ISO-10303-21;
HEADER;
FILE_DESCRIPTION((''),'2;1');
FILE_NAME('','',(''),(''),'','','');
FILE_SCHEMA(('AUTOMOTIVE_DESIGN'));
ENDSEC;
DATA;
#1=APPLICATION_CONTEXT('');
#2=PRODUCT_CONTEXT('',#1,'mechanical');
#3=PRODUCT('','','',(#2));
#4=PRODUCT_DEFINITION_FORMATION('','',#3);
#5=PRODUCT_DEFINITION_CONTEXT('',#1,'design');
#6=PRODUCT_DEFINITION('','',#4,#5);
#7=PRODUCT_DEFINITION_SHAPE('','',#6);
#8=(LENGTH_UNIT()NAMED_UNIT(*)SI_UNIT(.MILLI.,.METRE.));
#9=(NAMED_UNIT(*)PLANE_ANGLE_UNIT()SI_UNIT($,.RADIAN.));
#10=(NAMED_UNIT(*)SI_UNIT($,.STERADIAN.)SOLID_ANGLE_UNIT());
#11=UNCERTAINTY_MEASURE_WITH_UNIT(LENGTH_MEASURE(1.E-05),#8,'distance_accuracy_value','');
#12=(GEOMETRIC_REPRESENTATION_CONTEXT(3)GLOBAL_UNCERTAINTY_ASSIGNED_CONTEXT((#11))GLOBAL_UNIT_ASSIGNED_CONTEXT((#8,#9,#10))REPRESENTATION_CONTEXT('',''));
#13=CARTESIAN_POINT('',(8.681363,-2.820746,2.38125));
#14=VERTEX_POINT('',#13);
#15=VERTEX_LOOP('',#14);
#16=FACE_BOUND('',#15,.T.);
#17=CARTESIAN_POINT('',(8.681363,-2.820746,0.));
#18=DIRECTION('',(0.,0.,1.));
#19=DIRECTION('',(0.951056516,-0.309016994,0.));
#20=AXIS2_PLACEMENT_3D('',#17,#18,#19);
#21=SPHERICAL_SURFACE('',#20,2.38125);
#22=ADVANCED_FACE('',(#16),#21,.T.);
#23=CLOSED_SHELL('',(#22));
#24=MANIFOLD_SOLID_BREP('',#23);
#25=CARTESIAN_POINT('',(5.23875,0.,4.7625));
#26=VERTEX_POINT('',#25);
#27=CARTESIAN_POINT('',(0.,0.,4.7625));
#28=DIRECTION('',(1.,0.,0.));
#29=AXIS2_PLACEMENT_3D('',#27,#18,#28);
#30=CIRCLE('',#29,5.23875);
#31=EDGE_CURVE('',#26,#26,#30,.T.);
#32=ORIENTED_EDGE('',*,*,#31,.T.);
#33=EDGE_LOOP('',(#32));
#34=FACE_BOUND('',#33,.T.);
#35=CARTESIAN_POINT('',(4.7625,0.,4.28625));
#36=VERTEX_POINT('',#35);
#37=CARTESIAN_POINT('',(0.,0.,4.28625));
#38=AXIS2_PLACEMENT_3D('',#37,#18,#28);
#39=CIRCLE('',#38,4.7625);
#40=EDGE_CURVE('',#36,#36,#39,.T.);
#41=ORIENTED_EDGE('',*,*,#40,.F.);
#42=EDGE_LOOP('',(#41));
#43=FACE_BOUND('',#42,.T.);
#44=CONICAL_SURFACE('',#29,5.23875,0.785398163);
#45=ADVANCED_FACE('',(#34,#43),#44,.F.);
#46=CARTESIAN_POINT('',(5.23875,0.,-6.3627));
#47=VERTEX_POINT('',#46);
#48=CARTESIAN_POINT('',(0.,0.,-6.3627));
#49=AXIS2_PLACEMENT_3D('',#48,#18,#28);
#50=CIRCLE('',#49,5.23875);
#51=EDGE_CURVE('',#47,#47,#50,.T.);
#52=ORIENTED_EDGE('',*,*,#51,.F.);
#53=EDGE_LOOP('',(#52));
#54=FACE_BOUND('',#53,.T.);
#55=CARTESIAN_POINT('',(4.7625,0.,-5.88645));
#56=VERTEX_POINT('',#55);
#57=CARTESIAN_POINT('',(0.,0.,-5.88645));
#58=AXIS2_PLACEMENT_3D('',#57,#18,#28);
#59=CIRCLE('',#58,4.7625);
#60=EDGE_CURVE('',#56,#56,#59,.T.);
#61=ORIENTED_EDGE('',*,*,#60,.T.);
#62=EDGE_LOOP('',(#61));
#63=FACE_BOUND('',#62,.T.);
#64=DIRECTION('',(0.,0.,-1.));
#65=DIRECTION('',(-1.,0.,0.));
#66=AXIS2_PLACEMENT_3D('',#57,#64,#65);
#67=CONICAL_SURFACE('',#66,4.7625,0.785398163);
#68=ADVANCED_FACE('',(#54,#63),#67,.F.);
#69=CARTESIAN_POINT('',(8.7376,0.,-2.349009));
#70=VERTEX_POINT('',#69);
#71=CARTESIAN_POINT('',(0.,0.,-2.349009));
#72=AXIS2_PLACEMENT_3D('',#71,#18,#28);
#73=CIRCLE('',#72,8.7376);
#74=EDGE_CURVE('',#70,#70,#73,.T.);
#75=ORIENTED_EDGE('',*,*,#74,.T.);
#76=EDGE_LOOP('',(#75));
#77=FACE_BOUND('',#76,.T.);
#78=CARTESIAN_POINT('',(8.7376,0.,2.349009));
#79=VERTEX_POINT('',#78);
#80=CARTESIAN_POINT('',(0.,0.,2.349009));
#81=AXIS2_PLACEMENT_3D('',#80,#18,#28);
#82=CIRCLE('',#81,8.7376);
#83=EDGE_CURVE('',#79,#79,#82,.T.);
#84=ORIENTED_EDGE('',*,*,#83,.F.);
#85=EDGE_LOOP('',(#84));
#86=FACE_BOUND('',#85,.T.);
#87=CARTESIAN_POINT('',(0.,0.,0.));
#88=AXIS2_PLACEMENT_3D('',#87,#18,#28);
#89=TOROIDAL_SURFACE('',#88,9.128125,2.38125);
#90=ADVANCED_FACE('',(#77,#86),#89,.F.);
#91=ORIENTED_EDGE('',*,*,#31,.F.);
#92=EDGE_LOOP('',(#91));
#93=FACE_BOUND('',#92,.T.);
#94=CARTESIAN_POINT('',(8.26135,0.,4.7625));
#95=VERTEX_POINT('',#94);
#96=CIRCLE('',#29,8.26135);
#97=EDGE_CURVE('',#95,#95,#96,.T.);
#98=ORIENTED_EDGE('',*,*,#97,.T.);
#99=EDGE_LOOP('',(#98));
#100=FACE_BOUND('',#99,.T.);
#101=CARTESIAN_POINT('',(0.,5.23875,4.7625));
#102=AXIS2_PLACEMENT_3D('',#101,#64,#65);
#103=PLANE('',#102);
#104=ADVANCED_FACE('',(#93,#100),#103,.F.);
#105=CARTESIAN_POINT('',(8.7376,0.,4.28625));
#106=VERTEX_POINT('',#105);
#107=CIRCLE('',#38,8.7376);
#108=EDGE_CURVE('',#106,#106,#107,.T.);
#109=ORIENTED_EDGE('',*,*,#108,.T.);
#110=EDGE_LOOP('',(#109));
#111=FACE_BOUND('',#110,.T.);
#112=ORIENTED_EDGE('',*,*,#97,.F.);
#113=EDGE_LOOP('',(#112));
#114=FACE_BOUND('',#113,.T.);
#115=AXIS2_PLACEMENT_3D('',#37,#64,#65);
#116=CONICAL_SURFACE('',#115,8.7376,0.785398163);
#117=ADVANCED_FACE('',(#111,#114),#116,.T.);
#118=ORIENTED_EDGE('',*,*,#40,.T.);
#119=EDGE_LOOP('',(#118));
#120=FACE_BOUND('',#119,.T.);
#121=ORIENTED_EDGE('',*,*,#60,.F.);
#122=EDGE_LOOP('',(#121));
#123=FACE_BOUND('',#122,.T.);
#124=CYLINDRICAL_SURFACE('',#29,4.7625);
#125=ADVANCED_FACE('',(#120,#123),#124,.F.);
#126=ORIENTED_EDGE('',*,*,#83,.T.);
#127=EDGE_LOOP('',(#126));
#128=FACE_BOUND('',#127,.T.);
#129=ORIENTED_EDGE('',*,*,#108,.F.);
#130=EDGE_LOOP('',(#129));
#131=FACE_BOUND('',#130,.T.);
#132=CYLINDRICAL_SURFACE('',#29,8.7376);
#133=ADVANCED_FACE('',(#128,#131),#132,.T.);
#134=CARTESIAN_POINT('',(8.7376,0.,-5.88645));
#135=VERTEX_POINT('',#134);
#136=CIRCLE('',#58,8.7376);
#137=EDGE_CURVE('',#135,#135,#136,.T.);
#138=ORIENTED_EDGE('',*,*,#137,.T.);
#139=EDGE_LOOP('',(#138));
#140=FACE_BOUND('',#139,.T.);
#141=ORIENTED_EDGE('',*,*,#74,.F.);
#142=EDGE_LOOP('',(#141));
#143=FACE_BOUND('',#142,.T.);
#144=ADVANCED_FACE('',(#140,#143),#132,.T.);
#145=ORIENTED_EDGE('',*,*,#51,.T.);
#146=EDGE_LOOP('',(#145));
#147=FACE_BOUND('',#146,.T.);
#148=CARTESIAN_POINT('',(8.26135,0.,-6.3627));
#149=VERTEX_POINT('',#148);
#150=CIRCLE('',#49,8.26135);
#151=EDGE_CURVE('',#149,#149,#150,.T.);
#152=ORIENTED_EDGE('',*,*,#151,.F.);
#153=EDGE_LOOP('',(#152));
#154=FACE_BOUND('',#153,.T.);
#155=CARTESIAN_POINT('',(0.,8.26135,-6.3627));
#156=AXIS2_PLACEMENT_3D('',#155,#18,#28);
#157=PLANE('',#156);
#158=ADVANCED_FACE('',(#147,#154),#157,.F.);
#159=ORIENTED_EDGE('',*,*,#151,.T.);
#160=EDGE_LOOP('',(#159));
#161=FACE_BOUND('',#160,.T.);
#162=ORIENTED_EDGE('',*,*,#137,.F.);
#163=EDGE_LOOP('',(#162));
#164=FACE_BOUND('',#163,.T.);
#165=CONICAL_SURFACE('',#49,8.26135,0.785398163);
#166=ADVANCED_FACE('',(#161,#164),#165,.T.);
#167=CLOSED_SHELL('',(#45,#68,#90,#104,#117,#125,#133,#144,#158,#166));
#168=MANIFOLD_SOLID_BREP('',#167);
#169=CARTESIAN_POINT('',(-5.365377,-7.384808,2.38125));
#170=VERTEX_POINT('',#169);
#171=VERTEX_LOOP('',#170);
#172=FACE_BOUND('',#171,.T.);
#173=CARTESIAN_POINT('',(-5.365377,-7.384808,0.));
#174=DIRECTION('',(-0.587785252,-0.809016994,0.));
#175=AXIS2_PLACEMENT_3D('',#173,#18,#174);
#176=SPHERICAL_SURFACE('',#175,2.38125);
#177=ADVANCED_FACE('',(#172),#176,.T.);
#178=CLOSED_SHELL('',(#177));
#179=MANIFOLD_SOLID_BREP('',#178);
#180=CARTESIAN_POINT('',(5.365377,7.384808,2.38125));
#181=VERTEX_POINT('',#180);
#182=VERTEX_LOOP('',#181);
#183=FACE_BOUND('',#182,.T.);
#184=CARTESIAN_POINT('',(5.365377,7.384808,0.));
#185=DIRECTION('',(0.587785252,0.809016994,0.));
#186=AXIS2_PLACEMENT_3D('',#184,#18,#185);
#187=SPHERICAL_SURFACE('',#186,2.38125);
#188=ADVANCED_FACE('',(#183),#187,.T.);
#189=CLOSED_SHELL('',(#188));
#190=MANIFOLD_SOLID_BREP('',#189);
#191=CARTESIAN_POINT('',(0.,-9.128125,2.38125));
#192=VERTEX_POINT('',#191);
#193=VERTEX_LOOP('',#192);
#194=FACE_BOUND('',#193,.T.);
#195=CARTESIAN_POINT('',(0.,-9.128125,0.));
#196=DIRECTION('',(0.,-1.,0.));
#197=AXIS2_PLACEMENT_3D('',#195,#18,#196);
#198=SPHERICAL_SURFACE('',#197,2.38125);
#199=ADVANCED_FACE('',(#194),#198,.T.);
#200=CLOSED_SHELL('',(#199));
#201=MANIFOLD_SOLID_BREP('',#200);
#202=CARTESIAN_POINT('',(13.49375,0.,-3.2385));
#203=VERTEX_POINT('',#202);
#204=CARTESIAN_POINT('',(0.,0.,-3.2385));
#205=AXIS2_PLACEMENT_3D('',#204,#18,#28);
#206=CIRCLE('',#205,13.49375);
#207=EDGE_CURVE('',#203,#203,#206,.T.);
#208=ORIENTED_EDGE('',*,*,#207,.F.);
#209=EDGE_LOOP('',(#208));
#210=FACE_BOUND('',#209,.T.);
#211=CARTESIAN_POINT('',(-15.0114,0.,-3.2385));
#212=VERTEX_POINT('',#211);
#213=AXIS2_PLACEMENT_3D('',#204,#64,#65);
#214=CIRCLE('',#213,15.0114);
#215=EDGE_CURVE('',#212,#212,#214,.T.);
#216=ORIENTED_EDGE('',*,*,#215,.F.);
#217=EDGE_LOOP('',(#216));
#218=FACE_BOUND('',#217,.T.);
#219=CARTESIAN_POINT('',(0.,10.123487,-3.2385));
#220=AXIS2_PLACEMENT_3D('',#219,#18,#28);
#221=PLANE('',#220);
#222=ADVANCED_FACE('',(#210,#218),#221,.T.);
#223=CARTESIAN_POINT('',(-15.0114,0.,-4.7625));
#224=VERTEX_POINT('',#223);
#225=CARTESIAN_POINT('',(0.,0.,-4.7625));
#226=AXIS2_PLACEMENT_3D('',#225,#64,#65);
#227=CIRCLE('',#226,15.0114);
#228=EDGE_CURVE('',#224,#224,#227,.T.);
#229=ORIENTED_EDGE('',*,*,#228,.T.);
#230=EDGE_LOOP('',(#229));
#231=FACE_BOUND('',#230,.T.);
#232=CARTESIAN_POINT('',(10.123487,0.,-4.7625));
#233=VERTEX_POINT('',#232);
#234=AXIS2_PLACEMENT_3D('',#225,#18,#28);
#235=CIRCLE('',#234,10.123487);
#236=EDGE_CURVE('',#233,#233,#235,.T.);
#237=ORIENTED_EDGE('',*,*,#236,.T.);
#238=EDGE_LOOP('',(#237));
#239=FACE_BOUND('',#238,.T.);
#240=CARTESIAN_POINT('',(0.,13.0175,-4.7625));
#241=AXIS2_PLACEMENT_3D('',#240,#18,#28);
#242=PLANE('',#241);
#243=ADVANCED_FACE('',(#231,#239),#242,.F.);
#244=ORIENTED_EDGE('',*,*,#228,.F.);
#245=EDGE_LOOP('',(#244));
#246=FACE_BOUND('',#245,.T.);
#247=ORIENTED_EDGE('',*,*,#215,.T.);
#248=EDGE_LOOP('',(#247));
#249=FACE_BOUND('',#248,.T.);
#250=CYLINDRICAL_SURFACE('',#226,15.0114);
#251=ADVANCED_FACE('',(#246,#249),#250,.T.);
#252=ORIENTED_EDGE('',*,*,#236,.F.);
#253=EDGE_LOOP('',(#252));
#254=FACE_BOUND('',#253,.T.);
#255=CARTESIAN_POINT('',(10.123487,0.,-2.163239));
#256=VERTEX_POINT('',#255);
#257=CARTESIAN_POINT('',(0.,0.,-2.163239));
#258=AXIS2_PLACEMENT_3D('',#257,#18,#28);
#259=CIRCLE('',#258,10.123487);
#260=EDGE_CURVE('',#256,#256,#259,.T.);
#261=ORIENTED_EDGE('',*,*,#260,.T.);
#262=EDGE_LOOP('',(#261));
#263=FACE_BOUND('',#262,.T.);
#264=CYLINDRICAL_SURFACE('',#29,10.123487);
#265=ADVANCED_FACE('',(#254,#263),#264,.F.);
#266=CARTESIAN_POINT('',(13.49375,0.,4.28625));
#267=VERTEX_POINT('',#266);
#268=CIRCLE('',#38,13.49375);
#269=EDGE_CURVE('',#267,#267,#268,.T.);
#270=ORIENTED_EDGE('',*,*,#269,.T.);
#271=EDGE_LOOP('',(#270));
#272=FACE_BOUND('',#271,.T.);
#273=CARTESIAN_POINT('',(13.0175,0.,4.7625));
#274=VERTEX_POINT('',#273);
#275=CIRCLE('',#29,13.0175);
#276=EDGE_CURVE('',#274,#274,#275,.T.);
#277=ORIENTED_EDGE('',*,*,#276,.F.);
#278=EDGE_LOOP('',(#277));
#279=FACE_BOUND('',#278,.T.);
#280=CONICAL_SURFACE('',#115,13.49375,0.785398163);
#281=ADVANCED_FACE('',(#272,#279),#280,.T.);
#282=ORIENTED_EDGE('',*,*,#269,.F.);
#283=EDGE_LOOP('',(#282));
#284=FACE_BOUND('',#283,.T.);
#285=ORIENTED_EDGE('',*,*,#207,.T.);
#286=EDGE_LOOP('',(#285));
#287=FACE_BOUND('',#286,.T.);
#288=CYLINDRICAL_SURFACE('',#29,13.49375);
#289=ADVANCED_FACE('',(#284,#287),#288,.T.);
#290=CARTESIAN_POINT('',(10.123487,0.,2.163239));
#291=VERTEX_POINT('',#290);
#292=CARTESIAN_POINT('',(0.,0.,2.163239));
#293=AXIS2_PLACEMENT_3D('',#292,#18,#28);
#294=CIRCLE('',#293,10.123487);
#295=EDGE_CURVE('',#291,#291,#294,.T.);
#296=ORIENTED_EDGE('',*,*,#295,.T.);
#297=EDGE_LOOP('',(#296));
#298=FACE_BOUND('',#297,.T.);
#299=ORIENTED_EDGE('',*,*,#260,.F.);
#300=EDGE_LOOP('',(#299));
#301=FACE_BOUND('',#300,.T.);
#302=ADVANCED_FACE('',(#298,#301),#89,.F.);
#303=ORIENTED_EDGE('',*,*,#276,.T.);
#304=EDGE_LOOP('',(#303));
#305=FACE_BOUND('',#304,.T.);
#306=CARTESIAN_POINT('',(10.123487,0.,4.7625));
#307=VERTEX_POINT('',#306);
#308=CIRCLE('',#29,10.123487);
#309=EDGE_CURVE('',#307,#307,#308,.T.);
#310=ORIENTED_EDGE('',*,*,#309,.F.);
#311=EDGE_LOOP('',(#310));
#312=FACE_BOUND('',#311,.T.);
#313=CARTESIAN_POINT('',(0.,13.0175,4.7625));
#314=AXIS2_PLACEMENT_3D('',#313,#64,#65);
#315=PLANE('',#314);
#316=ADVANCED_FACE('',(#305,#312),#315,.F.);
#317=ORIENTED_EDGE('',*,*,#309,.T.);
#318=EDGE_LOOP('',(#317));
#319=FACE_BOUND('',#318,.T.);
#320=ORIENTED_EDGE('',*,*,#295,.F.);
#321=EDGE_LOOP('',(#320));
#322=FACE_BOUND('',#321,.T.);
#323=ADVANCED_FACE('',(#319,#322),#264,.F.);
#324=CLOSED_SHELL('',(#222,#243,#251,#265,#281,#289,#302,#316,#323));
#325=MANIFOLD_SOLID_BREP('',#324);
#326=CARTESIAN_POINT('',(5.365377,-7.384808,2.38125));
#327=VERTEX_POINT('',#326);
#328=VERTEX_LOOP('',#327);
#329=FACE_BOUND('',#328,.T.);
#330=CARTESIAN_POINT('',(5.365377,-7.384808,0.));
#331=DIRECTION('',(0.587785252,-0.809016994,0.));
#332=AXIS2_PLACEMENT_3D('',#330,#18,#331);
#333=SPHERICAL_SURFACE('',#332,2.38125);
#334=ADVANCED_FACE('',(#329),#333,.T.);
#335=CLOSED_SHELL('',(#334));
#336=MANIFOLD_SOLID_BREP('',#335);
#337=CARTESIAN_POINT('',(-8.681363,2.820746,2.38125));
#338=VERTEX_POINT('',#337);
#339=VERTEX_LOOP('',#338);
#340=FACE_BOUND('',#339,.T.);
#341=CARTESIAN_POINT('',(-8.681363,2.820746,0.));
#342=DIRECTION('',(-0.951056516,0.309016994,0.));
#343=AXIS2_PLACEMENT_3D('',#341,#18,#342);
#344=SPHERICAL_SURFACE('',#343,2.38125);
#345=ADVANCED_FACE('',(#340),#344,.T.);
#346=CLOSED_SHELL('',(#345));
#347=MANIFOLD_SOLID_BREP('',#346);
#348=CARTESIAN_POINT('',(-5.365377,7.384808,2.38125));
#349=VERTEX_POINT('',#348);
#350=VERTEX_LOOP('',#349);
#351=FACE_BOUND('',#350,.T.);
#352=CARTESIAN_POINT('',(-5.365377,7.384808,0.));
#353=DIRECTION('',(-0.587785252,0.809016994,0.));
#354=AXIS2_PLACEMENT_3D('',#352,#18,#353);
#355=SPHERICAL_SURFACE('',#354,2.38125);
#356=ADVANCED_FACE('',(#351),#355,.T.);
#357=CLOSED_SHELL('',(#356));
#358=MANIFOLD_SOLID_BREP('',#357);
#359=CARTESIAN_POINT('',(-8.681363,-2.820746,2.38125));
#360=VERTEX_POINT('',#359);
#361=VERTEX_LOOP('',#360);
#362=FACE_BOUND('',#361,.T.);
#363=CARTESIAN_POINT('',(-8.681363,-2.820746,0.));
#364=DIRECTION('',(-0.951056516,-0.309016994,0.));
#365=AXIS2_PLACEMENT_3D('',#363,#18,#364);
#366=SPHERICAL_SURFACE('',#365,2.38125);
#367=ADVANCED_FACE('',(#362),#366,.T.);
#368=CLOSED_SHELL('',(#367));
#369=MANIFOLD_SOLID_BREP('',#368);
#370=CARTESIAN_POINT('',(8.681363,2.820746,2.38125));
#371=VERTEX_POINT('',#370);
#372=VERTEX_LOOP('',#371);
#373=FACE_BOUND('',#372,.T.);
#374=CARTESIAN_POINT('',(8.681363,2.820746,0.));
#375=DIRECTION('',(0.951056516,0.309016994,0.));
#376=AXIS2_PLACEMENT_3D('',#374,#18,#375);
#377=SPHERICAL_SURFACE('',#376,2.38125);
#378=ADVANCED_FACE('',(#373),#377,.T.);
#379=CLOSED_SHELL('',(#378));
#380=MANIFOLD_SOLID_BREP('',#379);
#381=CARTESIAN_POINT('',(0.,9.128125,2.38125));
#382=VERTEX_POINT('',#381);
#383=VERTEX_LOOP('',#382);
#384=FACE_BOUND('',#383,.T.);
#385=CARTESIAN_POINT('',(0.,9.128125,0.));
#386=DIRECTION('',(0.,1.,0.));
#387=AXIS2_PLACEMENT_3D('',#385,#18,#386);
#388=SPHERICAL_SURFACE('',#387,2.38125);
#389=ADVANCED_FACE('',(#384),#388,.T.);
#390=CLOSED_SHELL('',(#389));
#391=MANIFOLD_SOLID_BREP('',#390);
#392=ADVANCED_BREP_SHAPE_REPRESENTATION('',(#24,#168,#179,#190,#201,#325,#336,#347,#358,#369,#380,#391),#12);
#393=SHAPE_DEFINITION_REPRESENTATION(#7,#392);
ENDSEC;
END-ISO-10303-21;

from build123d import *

# Parameters (mm, degrees)
SKETCH6_W         = 1.524
SKETCH6_H         = 4.8879125
CIRPATTERN1_COUNT = 10


with BuildPart() as part:
    # Sketch1 → Revolve1 (revolve)
    with BuildSketch(Plane(origin=(0, 0, 0), x_dir=(0, 0, -1), z_dir=(1, 0, 0))):
        with BuildLine():
            Line((4.28625, 13.49375), (-4.28625, 13.49375))
            Line((-4.28625, 13.49375), (-4.7625, 13.0175))
            Line((-4.7625, 13.0175), (-4.7625, 10.1234875))
            Line((-4.7625, 10.1234875), (-2.163239482, 10.1234875))
            ThreePointArc((-2.163239482, 10.1234875), (0, 11.509375), (2.163239482, 10.1234875))
            Line((2.163239482, 10.1234875), (4.7625, 10.1234875))
            Line((4.7625, 10.1234875), (4.7625, 13.0175))
            Line((4.7625, 13.0175), (4.28625, 13.49375))
        make_face()
    revolve(axis=Axis((0, 0, 4.7625), (0, 0, -1)))

    # Sketch6 → Revolve6 (revolve)
    with BuildSketch(Plane(origin=(0, 0, 0), x_dir=(0, 0, -1), z_dir=(1, 0, 0))):
        with Locations((4.0005, 12.56744375)):
            Rectangle(SKETCH6_W, SKETCH6_H)
    revolve(axis=Axis((0, 0, -4.7625), (0, 0, 1)))


with BuildPart() as body_2:
    # Sketch3 → Revolve3 (revolve)
    with BuildSketch(Plane(origin=(0, 0, 0), x_dir=(0, 0, -1), z_dir=(1, 0, 0))):
        with BuildLine():
            Line((-4.7625, 5.23875), (-4.7625, 8.26135))
            Line((-4.7625, 8.26135), (-4.28625, 8.7376))
            Line((-4.28625, 8.7376), (-2.349008682, 8.7376))
            ThreePointArc((-2.349008682, 8.7376), (0, 6.746875), (2.349008682, 8.7376))
            Line((2.349008682, 8.7376), (5.88645, 8.7376))
            Line((5.88645, 8.7376), (6.3627, 8.26135))
            Line((6.3627, 8.26135), (6.3627, 5.23875))
            Line((6.3627, 5.23875), (5.88645, 4.7625))
            Line((5.88645, 4.7625), (-4.28625, 4.7625))
            Line((-4.28625, 4.7625), (-4.7625, 5.23875))
        make_face()
    revolve(axis=Axis((0, 0, 4.7625), (0, 0, -1)))


with BuildPart() as body_3:
    # Sketch4 → Revolve4 (revolve)
    with BuildSketch(Plane(origin=(0, 0, 0), x_dir=(0, 0, -1), z_dir=(1, 0, 0))):
        with BuildLine():
            Line((-2.38125, 9.128125), (2.38125, 9.128125))
            ThreePointArc((2.38125, 9.128125), (0, 11.509375), (-2.38125, 9.128125))
        make_face()
    revolve(axis=Axis((0, 9.128125, 2.38125), (0, 0, -1)))


with BuildPart() as cirpattern1_1:
    # CirPattern1: pattern copy
    add(body_3.part.rotate(Axis((0, 0, -4.7625), (0, 0, 1)), 1 * 360 / CIRPATTERN1_COUNT))


with BuildPart() as cirpattern1_2:
    # CirPattern1: pattern copy
    add(body_3.part.rotate(Axis((0, 0, -4.7625), (0, 0, 1)), 2 * 360 / CIRPATTERN1_COUNT))


with BuildPart() as cirpattern1_3:
    # CirPattern1: pattern copy
    add(body_3.part.rotate(Axis((0, 0, -4.7625), (0, 0, 1)), 3 * 360 / CIRPATTERN1_COUNT))


with BuildPart() as cirpattern1_4:
    # CirPattern1: pattern copy
    add(body_3.part.rotate(Axis((0, 0, -4.7625), (0, 0, 1)), 4 * 360 / CIRPATTERN1_COUNT))


with BuildPart() as cirpattern1_5:
    # CirPattern1: pattern copy
    add(body_3.part.rotate(Axis((0, 0, -4.7625), (0, 0, 1)), 5 * 360 / CIRPATTERN1_COUNT))


with BuildPart() as cirpattern1_6:
    # CirPattern1: pattern copy
    add(body_3.part.rotate(Axis((0, 0, -4.7625), (0, 0, 1)), 6 * 360 / CIRPATTERN1_COUNT))


with BuildPart() as cirpattern1_7:
    # CirPattern1: pattern copy
    add(body_3.part.rotate(Axis((0, 0, -4.7625), (0, 0, 1)), 7 * 360 / CIRPATTERN1_COUNT))


with BuildPart() as cirpattern1_8:
    # CirPattern1: pattern copy
    add(body_3.part.rotate(Axis((0, 0, -4.7625), (0, 0, 1)), 8 * 360 / CIRPATTERN1_COUNT))


with BuildPart() as cirpattern1_9:
    # CirPattern1: pattern copy
    add(body_3.part.rotate(Axis((0, 0, -4.7625), (0, 0, 1)), 9 * 360 / CIRPATTERN1_COUNT))


solid = Compound([part.part, body_2.part, body_3.part, cirpattern1_1.part, cirpattern1_2.part, cirpattern1_3.part, cirpattern1_4.part, cirpattern1_5.part, cirpattern1_6.part, cirpattern1_7.part, cirpattern1_8.part, cirpattern1_9.part])
